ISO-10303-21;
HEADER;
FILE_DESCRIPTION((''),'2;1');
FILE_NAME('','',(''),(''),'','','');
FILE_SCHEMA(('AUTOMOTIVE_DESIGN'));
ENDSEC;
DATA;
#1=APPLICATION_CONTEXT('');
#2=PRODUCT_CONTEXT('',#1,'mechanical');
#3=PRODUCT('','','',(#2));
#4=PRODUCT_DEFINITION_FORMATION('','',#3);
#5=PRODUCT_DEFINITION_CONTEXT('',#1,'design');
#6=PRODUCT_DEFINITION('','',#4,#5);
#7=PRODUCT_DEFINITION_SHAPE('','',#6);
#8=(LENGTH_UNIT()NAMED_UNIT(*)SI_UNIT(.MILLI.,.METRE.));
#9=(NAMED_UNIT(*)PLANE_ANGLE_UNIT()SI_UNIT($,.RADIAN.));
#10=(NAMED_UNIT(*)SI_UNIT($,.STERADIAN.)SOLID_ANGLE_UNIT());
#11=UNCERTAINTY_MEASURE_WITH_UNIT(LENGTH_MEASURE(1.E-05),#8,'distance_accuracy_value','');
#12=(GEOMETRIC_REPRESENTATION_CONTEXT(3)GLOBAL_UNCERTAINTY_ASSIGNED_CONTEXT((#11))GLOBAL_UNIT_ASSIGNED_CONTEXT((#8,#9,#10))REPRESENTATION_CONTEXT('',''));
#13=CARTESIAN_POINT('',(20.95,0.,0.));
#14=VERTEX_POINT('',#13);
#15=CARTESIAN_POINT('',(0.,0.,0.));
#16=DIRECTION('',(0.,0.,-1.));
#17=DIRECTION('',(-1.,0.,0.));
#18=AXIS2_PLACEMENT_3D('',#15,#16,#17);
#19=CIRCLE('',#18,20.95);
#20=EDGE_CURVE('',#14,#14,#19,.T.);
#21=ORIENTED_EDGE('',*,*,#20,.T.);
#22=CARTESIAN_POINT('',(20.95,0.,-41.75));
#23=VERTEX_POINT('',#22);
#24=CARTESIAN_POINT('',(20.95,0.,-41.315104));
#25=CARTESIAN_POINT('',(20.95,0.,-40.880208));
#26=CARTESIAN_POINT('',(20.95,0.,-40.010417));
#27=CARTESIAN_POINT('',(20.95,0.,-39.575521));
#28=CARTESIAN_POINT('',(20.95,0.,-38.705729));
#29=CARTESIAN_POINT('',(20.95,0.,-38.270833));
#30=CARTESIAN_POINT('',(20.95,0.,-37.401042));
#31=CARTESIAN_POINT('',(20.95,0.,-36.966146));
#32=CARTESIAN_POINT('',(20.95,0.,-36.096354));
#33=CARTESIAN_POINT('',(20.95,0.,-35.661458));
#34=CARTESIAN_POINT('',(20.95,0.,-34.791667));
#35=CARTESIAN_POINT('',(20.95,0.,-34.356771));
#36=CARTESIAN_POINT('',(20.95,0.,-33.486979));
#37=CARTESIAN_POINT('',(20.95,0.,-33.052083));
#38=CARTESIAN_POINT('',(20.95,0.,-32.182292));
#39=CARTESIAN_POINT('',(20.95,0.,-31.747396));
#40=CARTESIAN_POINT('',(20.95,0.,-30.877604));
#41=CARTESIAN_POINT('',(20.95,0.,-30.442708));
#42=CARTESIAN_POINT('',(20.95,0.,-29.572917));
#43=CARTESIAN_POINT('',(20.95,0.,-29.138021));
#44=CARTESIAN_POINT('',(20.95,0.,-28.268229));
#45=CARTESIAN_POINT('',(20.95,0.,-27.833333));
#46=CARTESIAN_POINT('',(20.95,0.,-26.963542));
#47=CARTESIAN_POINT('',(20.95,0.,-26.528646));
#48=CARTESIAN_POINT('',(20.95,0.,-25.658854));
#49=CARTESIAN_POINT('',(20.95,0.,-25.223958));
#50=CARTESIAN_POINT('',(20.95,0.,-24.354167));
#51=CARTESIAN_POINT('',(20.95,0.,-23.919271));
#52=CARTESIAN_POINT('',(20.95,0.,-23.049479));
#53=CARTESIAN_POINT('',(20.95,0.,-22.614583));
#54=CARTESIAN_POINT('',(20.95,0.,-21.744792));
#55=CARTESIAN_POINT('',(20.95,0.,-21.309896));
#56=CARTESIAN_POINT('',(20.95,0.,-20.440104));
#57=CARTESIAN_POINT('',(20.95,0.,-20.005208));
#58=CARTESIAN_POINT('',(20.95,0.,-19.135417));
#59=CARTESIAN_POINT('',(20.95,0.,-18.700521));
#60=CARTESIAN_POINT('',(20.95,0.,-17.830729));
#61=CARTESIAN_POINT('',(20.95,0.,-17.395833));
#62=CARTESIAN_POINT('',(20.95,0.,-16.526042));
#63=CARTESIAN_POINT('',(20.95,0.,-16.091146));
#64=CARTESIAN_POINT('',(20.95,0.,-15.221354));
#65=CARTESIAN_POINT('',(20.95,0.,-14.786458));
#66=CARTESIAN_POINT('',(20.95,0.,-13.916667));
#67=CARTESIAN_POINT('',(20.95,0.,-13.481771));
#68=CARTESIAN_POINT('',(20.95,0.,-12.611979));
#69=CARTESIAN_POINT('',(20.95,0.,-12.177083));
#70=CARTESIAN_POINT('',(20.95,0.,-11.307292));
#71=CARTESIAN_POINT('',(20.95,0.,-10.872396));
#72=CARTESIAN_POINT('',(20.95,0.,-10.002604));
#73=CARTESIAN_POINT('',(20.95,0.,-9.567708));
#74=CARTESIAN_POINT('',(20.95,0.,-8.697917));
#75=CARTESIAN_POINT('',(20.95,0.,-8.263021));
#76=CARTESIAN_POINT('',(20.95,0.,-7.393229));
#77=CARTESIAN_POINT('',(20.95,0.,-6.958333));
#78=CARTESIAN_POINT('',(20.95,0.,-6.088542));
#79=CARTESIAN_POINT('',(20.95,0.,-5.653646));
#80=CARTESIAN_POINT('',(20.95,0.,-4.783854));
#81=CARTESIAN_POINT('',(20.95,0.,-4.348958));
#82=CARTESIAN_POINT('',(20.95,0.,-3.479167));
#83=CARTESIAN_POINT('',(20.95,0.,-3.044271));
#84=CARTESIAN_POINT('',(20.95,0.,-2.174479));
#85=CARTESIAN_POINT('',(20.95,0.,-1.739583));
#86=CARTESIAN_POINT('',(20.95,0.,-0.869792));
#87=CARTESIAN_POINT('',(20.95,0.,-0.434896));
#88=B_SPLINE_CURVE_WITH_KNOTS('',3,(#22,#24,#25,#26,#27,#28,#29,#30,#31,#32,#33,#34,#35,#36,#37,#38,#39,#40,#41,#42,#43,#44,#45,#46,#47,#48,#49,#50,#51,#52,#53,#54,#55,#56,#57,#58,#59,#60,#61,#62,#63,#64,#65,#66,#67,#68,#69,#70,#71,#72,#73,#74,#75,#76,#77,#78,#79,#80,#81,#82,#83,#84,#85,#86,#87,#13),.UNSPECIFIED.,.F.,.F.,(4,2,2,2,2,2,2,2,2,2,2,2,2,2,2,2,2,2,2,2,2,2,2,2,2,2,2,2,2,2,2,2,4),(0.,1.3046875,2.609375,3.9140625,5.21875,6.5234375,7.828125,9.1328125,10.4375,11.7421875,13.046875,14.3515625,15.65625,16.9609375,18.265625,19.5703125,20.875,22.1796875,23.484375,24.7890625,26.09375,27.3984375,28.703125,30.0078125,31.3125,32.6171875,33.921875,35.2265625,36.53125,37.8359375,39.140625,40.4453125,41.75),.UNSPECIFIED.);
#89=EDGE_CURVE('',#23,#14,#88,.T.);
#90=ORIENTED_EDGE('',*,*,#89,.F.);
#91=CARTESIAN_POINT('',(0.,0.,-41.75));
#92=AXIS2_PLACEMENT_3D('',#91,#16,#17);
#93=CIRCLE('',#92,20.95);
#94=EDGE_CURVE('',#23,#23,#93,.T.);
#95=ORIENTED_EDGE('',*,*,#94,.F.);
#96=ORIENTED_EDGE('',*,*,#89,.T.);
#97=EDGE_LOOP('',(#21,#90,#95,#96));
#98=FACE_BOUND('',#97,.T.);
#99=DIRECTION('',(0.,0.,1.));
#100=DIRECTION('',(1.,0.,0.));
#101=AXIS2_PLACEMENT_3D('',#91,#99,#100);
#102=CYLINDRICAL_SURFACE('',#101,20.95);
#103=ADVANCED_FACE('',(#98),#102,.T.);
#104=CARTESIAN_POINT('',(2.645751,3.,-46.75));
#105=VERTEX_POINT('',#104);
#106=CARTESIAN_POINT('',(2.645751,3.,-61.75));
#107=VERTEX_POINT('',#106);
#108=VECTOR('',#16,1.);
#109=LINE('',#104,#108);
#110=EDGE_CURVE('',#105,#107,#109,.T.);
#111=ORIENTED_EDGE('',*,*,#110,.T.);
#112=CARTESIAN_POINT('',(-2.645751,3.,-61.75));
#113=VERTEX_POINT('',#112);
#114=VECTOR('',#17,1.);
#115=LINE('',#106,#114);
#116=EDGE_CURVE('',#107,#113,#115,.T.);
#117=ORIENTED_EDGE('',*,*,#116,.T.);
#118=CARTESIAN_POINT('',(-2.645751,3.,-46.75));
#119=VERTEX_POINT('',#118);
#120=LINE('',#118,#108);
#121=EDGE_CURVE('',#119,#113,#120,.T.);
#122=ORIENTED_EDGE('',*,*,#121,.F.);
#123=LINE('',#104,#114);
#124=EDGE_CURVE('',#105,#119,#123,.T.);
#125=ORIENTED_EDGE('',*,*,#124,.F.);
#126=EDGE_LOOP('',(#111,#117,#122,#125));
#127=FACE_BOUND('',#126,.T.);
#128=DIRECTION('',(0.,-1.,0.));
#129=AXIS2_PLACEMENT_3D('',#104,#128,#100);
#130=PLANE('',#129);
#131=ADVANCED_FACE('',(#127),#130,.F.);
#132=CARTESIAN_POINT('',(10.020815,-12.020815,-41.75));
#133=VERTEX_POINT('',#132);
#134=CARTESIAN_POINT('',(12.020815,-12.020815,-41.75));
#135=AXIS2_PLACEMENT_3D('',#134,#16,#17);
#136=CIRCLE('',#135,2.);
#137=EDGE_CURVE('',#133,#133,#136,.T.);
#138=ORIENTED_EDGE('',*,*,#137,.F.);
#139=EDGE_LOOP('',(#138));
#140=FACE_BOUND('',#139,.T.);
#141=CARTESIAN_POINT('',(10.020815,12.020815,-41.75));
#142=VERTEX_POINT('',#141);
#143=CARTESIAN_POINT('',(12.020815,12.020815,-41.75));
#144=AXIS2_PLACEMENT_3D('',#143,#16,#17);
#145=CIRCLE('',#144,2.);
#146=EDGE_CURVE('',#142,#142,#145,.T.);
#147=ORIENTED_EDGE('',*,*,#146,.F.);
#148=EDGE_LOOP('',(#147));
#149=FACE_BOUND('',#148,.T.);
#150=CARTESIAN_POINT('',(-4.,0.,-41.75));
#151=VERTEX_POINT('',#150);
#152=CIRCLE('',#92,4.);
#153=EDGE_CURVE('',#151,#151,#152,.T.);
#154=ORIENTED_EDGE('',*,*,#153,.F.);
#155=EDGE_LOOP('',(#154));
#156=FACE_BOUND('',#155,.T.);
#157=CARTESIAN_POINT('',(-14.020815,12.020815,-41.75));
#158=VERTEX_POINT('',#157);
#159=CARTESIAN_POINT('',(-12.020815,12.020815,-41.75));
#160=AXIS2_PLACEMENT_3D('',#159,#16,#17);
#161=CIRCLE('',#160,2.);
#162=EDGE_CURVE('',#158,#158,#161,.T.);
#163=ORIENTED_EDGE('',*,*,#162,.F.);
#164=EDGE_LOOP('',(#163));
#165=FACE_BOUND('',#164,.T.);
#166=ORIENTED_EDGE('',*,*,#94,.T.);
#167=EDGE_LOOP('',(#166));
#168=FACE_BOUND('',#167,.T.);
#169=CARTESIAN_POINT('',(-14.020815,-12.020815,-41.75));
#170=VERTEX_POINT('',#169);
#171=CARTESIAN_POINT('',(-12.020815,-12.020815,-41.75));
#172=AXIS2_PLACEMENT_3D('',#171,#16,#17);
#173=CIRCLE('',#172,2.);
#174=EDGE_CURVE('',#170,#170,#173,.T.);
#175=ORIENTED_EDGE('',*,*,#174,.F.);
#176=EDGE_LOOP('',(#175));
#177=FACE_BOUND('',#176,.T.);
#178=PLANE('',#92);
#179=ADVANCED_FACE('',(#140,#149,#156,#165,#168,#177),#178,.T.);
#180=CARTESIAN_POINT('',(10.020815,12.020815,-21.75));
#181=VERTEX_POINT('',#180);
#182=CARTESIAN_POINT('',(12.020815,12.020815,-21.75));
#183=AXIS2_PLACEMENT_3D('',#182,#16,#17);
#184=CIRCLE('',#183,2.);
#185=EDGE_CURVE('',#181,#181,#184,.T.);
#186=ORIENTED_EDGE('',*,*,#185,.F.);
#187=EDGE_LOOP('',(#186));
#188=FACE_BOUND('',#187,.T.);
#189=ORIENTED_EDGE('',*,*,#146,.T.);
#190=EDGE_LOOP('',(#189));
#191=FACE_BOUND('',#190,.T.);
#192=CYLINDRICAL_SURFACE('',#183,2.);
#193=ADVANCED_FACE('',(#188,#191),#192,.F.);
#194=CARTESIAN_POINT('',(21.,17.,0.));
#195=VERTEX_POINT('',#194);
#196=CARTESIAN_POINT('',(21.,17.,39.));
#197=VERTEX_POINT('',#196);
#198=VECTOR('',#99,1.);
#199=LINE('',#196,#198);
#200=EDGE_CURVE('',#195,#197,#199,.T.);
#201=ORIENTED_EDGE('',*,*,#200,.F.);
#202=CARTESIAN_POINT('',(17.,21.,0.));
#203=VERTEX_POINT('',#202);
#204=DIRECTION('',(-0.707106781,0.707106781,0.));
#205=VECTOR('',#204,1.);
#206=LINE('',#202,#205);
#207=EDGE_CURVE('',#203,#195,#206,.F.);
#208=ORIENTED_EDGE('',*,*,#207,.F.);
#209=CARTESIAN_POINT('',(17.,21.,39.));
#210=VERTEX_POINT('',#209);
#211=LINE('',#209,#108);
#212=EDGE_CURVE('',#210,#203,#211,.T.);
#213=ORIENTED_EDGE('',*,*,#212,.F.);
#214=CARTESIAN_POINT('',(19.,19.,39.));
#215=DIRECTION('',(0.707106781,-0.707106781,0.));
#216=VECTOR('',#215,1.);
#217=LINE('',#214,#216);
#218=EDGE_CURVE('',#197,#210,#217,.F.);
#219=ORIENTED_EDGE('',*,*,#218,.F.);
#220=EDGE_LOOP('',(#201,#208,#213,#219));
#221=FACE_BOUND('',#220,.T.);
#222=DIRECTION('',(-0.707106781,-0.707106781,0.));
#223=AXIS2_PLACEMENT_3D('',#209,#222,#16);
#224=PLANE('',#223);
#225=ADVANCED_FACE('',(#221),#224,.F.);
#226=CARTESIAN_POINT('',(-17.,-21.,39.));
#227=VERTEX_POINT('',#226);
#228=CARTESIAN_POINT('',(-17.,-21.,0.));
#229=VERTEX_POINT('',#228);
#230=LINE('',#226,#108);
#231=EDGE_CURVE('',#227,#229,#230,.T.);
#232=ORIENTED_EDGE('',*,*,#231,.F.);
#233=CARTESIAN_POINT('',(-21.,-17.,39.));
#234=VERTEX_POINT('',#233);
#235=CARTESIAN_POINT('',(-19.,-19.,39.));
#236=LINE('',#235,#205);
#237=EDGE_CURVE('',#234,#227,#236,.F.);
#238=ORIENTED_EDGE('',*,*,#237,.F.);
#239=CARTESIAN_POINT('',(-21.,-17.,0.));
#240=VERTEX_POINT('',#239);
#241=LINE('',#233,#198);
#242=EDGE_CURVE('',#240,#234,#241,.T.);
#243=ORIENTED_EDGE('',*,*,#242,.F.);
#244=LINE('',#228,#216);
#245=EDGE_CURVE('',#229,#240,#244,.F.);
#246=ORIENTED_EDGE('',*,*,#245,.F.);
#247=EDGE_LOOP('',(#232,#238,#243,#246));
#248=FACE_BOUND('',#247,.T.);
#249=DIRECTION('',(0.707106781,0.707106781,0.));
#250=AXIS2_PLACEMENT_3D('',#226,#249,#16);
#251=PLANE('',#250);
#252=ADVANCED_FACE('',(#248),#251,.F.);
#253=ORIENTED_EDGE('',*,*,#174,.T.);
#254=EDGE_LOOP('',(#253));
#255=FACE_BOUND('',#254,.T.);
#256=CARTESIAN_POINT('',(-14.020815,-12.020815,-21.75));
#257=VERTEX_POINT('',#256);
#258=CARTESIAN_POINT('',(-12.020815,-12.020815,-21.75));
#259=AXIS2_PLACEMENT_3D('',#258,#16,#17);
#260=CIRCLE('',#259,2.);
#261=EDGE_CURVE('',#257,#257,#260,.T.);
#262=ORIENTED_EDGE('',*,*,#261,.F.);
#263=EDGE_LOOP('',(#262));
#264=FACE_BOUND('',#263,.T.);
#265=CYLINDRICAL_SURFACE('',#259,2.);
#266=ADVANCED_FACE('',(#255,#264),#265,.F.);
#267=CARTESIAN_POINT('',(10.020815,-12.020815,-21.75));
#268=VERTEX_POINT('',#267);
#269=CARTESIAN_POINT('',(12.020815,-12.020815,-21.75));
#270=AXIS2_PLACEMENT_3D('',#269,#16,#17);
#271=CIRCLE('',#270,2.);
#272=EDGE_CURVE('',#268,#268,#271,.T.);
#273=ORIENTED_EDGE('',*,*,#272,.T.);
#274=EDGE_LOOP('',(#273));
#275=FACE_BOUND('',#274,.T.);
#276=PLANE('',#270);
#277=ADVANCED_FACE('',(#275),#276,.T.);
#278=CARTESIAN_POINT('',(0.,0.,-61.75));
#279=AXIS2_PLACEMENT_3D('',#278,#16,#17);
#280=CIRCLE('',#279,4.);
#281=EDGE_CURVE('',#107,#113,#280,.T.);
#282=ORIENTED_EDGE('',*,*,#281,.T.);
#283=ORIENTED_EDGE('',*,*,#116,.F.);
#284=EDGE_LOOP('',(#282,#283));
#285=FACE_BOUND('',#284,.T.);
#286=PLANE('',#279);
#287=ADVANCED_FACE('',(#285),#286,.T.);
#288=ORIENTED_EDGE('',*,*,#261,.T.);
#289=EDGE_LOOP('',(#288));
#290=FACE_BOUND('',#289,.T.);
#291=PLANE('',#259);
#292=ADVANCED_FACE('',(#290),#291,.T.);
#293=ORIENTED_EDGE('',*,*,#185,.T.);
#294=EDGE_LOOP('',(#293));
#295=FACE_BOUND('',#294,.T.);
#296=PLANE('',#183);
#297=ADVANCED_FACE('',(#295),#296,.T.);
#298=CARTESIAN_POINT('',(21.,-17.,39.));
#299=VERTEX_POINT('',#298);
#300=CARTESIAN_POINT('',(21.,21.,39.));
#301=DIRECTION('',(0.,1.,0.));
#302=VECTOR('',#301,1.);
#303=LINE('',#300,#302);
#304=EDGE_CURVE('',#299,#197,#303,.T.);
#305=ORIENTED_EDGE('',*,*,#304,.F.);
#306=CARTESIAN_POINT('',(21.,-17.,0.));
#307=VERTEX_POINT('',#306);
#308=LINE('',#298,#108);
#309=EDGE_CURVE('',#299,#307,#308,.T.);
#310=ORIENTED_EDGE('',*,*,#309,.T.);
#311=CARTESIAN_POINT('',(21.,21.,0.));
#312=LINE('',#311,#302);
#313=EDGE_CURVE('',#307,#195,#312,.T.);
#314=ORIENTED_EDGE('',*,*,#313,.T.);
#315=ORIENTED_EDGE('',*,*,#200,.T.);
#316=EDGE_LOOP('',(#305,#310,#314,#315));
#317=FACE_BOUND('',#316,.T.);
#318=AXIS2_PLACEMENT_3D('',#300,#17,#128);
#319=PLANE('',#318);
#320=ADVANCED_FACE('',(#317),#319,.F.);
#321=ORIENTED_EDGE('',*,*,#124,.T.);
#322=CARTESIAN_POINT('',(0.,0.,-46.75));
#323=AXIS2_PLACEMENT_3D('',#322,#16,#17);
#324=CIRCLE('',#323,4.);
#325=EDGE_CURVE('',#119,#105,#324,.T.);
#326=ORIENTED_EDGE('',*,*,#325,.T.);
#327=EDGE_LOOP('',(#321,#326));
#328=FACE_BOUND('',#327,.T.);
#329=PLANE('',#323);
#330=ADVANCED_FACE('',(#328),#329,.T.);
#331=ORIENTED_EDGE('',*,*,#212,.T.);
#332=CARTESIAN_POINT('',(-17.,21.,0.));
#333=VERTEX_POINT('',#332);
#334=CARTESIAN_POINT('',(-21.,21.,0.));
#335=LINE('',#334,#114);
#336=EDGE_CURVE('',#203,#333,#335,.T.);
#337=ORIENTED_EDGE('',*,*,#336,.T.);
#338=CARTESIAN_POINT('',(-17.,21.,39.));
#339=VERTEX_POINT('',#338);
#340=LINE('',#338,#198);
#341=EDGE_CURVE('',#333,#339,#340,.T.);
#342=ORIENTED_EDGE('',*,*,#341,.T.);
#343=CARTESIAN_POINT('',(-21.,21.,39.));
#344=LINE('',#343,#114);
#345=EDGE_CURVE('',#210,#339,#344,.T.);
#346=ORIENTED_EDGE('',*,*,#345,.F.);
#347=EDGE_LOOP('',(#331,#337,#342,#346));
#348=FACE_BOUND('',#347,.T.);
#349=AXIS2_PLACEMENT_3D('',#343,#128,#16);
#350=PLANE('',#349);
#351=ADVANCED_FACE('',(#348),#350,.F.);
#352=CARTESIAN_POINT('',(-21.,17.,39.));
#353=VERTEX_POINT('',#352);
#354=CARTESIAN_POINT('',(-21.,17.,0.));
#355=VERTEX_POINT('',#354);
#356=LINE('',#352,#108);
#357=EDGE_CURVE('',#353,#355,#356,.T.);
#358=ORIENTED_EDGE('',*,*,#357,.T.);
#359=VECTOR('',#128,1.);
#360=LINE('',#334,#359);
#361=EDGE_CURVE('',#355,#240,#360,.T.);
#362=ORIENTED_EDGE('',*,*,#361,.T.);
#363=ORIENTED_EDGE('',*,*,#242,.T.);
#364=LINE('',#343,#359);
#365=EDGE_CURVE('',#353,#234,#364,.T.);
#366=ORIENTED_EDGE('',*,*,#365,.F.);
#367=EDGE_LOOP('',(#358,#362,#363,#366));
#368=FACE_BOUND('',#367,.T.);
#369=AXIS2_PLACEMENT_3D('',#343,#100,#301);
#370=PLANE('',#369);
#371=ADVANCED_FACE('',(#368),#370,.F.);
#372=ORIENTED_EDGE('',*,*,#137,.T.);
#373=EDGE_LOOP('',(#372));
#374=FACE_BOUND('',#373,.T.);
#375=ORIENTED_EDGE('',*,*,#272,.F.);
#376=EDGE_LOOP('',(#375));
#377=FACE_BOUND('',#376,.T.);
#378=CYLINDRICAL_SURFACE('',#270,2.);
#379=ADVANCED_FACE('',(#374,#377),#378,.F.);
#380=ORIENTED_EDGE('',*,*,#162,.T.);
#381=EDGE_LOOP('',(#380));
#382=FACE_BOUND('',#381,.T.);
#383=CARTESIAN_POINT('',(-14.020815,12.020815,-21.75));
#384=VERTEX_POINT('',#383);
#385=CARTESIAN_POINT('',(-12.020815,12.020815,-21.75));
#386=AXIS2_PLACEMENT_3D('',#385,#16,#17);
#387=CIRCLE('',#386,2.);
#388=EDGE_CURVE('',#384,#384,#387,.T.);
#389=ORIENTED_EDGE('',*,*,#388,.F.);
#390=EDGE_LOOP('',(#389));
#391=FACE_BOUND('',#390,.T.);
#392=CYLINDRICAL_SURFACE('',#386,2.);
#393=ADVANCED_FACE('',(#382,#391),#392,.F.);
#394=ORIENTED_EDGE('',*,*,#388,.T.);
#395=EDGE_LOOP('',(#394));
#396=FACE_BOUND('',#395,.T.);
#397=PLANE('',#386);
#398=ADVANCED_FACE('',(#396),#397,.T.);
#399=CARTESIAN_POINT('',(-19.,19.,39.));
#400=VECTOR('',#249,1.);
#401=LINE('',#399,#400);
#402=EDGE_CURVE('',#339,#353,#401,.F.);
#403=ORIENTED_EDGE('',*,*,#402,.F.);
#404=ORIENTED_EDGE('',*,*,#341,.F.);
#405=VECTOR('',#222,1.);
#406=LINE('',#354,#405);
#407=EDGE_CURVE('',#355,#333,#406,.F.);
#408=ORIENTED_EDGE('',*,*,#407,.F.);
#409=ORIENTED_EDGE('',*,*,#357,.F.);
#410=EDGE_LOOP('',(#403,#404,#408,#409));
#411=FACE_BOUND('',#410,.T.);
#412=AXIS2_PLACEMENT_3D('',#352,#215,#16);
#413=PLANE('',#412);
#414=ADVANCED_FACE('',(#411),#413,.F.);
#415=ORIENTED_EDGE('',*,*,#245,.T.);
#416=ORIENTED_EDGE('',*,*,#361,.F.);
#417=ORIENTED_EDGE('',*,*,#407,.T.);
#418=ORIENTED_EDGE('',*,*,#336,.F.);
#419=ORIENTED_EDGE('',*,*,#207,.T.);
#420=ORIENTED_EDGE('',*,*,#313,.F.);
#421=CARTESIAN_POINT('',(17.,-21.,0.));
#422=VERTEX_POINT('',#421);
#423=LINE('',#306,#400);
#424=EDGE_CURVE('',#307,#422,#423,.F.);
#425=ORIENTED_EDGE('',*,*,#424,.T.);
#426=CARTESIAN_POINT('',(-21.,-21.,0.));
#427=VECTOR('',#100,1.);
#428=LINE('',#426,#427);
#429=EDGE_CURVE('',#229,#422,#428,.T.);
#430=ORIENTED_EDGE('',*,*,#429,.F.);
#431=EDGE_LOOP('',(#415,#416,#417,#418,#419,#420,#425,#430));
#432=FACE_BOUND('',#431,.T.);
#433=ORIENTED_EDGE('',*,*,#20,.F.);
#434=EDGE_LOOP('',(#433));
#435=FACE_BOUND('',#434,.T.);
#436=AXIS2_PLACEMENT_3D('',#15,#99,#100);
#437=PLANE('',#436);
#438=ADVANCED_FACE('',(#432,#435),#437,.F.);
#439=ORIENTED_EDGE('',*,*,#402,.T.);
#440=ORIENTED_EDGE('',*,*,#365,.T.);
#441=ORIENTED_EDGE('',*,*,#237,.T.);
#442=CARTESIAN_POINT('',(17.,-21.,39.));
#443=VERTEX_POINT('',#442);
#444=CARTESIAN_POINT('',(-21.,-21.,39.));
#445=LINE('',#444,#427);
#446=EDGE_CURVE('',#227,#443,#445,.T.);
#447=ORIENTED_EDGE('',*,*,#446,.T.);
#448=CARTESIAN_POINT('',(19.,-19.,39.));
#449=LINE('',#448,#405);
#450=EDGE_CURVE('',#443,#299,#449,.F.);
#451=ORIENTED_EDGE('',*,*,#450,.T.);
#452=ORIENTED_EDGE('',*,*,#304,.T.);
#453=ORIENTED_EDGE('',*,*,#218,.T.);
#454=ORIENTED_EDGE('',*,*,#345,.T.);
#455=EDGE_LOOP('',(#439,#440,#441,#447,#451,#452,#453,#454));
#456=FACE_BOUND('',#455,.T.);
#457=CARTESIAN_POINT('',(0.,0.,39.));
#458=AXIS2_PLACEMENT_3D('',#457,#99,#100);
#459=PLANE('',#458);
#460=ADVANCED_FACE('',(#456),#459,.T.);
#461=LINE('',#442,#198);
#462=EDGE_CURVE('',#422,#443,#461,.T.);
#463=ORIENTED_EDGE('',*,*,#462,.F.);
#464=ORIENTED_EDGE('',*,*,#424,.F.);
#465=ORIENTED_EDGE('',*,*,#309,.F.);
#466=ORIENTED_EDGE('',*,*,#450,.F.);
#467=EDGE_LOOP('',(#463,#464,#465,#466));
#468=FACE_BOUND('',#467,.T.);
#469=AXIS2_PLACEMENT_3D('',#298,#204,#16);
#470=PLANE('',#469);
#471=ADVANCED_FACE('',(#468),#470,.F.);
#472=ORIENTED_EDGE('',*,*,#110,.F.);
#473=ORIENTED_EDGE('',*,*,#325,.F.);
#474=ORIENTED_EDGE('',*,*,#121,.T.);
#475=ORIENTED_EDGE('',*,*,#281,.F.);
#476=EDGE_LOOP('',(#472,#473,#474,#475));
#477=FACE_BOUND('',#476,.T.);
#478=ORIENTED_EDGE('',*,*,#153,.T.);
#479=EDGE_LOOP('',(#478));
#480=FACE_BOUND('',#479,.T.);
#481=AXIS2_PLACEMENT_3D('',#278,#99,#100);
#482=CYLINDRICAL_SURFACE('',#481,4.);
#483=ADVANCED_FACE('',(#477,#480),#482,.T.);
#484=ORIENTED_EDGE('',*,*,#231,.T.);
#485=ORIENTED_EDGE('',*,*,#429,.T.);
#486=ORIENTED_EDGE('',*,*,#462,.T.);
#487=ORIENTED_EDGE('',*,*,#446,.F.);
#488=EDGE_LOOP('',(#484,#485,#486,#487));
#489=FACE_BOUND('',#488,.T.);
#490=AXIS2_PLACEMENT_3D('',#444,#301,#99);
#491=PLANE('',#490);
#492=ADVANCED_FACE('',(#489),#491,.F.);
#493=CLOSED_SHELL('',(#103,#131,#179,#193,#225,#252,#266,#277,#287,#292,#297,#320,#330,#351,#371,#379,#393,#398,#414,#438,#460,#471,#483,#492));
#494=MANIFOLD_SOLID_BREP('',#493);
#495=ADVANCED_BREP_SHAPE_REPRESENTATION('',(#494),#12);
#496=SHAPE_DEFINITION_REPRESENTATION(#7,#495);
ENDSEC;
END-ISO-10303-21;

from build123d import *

# Parameters (mm, degrees)
SKETCH1_W           = 42
SKETCH1_H           = 42
BOSS_EXTRUDE1_DEPTH = 39
CHAMFER1_SIZE       = 4
SKETCH2_R           = 20.95
BOSS_EXTRUDE2_DEPTH = 41.75
SKETCH3_R           = 4
BOSS_EXTRUDE3_DEPTH = 20
CUT_EXTRUDE1_START  = -15
CUT_EXTRUDE1_DEPTH  = 15
SKETCH5_R           = 2
CUT_EXTRUDE2_DEPTH  = 20


with BuildPart() as part:
    # Sketch1 → Boss-Extrude1 (new body)
    with BuildSketch(Plane.XY):
        Rectangle(SKETCH1_W, SKETCH1_H)
    extrude(amount=BOSS_EXTRUDE1_DEPTH)

    # Chamfer1
    chamfer1_edges = [part.edges().sort_by_distance(p)[0] for p in [
        (21, -21, 19.5),
        (-21, -21, 19.5),
        (-21, 21, 19.5),
        (21, 21, 19.5),
    ]]
    chamfer(chamfer1_edges, length=CHAMFER1_SIZE)

    # Sketch2 → Boss-Extrude2 (add)
    with BuildSketch(Plane(origin=(0, 0, 0), x_dir=(-1, 0, 0), z_dir=(0, 0, -1))):
        with Locations(Location((0, 0, 0), (0, 0, 180))):
            Circle(SKETCH2_R)
    extrude(amount=BOSS_EXTRUDE2_DEPTH)

    # Sketch3 → Boss-Extrude3 (add)
    with BuildSketch(Plane(origin=(0, 0, -41.75), x_dir=(-1, 0, 0), z_dir=(0, 0, -1))):
        Circle(SKETCH3_R)
    extrude(amount=BOSS_EXTRUDE3_DEPTH)

    # Sketch4 → Cut-Extrude1 (cut)
    with BuildSketch(Plane(origin=(0, 0, -61.75), x_dir=(-1, 0, 0), z_dir=(0, 0, -1)).offset(CUT_EXTRUDE1_START)):
        with BuildLine():
            Line((-2.645751311, 3), (2.645751311, 3))
            ThreePointArc((2.645751311, 3), (0, 4), (-2.645751311, 3))
        make_face()
    extrude(amount=CUT_EXTRUDE1_DEPTH, mode=Mode.SUBTRACT)

    # Sketch5 → Cut-Extrude2 (cut)
    with BuildSketch(Plane(origin=(0, 0, -41.75), x_dir=(-1, 0, 0), z_dir=(0, 0, -1))):
        with Locations((12.02081528, 12.02081528)):
            Circle(SKETCH5_R)
        with Locations((12.02081528, -12.02081528)):
            Circle(SKETCH5_R)
        with Locations((-12.02081528, -12.02081528)):
            Circle(SKETCH5_R)
        with Locations((-12.02081528, 12.02081528)):
            Circle(SKETCH5_R)
    extrude(amount=-CUT_EXTRUDE2_DEPTH, mode=Mode.SUBTRACT)


solid = part.part
